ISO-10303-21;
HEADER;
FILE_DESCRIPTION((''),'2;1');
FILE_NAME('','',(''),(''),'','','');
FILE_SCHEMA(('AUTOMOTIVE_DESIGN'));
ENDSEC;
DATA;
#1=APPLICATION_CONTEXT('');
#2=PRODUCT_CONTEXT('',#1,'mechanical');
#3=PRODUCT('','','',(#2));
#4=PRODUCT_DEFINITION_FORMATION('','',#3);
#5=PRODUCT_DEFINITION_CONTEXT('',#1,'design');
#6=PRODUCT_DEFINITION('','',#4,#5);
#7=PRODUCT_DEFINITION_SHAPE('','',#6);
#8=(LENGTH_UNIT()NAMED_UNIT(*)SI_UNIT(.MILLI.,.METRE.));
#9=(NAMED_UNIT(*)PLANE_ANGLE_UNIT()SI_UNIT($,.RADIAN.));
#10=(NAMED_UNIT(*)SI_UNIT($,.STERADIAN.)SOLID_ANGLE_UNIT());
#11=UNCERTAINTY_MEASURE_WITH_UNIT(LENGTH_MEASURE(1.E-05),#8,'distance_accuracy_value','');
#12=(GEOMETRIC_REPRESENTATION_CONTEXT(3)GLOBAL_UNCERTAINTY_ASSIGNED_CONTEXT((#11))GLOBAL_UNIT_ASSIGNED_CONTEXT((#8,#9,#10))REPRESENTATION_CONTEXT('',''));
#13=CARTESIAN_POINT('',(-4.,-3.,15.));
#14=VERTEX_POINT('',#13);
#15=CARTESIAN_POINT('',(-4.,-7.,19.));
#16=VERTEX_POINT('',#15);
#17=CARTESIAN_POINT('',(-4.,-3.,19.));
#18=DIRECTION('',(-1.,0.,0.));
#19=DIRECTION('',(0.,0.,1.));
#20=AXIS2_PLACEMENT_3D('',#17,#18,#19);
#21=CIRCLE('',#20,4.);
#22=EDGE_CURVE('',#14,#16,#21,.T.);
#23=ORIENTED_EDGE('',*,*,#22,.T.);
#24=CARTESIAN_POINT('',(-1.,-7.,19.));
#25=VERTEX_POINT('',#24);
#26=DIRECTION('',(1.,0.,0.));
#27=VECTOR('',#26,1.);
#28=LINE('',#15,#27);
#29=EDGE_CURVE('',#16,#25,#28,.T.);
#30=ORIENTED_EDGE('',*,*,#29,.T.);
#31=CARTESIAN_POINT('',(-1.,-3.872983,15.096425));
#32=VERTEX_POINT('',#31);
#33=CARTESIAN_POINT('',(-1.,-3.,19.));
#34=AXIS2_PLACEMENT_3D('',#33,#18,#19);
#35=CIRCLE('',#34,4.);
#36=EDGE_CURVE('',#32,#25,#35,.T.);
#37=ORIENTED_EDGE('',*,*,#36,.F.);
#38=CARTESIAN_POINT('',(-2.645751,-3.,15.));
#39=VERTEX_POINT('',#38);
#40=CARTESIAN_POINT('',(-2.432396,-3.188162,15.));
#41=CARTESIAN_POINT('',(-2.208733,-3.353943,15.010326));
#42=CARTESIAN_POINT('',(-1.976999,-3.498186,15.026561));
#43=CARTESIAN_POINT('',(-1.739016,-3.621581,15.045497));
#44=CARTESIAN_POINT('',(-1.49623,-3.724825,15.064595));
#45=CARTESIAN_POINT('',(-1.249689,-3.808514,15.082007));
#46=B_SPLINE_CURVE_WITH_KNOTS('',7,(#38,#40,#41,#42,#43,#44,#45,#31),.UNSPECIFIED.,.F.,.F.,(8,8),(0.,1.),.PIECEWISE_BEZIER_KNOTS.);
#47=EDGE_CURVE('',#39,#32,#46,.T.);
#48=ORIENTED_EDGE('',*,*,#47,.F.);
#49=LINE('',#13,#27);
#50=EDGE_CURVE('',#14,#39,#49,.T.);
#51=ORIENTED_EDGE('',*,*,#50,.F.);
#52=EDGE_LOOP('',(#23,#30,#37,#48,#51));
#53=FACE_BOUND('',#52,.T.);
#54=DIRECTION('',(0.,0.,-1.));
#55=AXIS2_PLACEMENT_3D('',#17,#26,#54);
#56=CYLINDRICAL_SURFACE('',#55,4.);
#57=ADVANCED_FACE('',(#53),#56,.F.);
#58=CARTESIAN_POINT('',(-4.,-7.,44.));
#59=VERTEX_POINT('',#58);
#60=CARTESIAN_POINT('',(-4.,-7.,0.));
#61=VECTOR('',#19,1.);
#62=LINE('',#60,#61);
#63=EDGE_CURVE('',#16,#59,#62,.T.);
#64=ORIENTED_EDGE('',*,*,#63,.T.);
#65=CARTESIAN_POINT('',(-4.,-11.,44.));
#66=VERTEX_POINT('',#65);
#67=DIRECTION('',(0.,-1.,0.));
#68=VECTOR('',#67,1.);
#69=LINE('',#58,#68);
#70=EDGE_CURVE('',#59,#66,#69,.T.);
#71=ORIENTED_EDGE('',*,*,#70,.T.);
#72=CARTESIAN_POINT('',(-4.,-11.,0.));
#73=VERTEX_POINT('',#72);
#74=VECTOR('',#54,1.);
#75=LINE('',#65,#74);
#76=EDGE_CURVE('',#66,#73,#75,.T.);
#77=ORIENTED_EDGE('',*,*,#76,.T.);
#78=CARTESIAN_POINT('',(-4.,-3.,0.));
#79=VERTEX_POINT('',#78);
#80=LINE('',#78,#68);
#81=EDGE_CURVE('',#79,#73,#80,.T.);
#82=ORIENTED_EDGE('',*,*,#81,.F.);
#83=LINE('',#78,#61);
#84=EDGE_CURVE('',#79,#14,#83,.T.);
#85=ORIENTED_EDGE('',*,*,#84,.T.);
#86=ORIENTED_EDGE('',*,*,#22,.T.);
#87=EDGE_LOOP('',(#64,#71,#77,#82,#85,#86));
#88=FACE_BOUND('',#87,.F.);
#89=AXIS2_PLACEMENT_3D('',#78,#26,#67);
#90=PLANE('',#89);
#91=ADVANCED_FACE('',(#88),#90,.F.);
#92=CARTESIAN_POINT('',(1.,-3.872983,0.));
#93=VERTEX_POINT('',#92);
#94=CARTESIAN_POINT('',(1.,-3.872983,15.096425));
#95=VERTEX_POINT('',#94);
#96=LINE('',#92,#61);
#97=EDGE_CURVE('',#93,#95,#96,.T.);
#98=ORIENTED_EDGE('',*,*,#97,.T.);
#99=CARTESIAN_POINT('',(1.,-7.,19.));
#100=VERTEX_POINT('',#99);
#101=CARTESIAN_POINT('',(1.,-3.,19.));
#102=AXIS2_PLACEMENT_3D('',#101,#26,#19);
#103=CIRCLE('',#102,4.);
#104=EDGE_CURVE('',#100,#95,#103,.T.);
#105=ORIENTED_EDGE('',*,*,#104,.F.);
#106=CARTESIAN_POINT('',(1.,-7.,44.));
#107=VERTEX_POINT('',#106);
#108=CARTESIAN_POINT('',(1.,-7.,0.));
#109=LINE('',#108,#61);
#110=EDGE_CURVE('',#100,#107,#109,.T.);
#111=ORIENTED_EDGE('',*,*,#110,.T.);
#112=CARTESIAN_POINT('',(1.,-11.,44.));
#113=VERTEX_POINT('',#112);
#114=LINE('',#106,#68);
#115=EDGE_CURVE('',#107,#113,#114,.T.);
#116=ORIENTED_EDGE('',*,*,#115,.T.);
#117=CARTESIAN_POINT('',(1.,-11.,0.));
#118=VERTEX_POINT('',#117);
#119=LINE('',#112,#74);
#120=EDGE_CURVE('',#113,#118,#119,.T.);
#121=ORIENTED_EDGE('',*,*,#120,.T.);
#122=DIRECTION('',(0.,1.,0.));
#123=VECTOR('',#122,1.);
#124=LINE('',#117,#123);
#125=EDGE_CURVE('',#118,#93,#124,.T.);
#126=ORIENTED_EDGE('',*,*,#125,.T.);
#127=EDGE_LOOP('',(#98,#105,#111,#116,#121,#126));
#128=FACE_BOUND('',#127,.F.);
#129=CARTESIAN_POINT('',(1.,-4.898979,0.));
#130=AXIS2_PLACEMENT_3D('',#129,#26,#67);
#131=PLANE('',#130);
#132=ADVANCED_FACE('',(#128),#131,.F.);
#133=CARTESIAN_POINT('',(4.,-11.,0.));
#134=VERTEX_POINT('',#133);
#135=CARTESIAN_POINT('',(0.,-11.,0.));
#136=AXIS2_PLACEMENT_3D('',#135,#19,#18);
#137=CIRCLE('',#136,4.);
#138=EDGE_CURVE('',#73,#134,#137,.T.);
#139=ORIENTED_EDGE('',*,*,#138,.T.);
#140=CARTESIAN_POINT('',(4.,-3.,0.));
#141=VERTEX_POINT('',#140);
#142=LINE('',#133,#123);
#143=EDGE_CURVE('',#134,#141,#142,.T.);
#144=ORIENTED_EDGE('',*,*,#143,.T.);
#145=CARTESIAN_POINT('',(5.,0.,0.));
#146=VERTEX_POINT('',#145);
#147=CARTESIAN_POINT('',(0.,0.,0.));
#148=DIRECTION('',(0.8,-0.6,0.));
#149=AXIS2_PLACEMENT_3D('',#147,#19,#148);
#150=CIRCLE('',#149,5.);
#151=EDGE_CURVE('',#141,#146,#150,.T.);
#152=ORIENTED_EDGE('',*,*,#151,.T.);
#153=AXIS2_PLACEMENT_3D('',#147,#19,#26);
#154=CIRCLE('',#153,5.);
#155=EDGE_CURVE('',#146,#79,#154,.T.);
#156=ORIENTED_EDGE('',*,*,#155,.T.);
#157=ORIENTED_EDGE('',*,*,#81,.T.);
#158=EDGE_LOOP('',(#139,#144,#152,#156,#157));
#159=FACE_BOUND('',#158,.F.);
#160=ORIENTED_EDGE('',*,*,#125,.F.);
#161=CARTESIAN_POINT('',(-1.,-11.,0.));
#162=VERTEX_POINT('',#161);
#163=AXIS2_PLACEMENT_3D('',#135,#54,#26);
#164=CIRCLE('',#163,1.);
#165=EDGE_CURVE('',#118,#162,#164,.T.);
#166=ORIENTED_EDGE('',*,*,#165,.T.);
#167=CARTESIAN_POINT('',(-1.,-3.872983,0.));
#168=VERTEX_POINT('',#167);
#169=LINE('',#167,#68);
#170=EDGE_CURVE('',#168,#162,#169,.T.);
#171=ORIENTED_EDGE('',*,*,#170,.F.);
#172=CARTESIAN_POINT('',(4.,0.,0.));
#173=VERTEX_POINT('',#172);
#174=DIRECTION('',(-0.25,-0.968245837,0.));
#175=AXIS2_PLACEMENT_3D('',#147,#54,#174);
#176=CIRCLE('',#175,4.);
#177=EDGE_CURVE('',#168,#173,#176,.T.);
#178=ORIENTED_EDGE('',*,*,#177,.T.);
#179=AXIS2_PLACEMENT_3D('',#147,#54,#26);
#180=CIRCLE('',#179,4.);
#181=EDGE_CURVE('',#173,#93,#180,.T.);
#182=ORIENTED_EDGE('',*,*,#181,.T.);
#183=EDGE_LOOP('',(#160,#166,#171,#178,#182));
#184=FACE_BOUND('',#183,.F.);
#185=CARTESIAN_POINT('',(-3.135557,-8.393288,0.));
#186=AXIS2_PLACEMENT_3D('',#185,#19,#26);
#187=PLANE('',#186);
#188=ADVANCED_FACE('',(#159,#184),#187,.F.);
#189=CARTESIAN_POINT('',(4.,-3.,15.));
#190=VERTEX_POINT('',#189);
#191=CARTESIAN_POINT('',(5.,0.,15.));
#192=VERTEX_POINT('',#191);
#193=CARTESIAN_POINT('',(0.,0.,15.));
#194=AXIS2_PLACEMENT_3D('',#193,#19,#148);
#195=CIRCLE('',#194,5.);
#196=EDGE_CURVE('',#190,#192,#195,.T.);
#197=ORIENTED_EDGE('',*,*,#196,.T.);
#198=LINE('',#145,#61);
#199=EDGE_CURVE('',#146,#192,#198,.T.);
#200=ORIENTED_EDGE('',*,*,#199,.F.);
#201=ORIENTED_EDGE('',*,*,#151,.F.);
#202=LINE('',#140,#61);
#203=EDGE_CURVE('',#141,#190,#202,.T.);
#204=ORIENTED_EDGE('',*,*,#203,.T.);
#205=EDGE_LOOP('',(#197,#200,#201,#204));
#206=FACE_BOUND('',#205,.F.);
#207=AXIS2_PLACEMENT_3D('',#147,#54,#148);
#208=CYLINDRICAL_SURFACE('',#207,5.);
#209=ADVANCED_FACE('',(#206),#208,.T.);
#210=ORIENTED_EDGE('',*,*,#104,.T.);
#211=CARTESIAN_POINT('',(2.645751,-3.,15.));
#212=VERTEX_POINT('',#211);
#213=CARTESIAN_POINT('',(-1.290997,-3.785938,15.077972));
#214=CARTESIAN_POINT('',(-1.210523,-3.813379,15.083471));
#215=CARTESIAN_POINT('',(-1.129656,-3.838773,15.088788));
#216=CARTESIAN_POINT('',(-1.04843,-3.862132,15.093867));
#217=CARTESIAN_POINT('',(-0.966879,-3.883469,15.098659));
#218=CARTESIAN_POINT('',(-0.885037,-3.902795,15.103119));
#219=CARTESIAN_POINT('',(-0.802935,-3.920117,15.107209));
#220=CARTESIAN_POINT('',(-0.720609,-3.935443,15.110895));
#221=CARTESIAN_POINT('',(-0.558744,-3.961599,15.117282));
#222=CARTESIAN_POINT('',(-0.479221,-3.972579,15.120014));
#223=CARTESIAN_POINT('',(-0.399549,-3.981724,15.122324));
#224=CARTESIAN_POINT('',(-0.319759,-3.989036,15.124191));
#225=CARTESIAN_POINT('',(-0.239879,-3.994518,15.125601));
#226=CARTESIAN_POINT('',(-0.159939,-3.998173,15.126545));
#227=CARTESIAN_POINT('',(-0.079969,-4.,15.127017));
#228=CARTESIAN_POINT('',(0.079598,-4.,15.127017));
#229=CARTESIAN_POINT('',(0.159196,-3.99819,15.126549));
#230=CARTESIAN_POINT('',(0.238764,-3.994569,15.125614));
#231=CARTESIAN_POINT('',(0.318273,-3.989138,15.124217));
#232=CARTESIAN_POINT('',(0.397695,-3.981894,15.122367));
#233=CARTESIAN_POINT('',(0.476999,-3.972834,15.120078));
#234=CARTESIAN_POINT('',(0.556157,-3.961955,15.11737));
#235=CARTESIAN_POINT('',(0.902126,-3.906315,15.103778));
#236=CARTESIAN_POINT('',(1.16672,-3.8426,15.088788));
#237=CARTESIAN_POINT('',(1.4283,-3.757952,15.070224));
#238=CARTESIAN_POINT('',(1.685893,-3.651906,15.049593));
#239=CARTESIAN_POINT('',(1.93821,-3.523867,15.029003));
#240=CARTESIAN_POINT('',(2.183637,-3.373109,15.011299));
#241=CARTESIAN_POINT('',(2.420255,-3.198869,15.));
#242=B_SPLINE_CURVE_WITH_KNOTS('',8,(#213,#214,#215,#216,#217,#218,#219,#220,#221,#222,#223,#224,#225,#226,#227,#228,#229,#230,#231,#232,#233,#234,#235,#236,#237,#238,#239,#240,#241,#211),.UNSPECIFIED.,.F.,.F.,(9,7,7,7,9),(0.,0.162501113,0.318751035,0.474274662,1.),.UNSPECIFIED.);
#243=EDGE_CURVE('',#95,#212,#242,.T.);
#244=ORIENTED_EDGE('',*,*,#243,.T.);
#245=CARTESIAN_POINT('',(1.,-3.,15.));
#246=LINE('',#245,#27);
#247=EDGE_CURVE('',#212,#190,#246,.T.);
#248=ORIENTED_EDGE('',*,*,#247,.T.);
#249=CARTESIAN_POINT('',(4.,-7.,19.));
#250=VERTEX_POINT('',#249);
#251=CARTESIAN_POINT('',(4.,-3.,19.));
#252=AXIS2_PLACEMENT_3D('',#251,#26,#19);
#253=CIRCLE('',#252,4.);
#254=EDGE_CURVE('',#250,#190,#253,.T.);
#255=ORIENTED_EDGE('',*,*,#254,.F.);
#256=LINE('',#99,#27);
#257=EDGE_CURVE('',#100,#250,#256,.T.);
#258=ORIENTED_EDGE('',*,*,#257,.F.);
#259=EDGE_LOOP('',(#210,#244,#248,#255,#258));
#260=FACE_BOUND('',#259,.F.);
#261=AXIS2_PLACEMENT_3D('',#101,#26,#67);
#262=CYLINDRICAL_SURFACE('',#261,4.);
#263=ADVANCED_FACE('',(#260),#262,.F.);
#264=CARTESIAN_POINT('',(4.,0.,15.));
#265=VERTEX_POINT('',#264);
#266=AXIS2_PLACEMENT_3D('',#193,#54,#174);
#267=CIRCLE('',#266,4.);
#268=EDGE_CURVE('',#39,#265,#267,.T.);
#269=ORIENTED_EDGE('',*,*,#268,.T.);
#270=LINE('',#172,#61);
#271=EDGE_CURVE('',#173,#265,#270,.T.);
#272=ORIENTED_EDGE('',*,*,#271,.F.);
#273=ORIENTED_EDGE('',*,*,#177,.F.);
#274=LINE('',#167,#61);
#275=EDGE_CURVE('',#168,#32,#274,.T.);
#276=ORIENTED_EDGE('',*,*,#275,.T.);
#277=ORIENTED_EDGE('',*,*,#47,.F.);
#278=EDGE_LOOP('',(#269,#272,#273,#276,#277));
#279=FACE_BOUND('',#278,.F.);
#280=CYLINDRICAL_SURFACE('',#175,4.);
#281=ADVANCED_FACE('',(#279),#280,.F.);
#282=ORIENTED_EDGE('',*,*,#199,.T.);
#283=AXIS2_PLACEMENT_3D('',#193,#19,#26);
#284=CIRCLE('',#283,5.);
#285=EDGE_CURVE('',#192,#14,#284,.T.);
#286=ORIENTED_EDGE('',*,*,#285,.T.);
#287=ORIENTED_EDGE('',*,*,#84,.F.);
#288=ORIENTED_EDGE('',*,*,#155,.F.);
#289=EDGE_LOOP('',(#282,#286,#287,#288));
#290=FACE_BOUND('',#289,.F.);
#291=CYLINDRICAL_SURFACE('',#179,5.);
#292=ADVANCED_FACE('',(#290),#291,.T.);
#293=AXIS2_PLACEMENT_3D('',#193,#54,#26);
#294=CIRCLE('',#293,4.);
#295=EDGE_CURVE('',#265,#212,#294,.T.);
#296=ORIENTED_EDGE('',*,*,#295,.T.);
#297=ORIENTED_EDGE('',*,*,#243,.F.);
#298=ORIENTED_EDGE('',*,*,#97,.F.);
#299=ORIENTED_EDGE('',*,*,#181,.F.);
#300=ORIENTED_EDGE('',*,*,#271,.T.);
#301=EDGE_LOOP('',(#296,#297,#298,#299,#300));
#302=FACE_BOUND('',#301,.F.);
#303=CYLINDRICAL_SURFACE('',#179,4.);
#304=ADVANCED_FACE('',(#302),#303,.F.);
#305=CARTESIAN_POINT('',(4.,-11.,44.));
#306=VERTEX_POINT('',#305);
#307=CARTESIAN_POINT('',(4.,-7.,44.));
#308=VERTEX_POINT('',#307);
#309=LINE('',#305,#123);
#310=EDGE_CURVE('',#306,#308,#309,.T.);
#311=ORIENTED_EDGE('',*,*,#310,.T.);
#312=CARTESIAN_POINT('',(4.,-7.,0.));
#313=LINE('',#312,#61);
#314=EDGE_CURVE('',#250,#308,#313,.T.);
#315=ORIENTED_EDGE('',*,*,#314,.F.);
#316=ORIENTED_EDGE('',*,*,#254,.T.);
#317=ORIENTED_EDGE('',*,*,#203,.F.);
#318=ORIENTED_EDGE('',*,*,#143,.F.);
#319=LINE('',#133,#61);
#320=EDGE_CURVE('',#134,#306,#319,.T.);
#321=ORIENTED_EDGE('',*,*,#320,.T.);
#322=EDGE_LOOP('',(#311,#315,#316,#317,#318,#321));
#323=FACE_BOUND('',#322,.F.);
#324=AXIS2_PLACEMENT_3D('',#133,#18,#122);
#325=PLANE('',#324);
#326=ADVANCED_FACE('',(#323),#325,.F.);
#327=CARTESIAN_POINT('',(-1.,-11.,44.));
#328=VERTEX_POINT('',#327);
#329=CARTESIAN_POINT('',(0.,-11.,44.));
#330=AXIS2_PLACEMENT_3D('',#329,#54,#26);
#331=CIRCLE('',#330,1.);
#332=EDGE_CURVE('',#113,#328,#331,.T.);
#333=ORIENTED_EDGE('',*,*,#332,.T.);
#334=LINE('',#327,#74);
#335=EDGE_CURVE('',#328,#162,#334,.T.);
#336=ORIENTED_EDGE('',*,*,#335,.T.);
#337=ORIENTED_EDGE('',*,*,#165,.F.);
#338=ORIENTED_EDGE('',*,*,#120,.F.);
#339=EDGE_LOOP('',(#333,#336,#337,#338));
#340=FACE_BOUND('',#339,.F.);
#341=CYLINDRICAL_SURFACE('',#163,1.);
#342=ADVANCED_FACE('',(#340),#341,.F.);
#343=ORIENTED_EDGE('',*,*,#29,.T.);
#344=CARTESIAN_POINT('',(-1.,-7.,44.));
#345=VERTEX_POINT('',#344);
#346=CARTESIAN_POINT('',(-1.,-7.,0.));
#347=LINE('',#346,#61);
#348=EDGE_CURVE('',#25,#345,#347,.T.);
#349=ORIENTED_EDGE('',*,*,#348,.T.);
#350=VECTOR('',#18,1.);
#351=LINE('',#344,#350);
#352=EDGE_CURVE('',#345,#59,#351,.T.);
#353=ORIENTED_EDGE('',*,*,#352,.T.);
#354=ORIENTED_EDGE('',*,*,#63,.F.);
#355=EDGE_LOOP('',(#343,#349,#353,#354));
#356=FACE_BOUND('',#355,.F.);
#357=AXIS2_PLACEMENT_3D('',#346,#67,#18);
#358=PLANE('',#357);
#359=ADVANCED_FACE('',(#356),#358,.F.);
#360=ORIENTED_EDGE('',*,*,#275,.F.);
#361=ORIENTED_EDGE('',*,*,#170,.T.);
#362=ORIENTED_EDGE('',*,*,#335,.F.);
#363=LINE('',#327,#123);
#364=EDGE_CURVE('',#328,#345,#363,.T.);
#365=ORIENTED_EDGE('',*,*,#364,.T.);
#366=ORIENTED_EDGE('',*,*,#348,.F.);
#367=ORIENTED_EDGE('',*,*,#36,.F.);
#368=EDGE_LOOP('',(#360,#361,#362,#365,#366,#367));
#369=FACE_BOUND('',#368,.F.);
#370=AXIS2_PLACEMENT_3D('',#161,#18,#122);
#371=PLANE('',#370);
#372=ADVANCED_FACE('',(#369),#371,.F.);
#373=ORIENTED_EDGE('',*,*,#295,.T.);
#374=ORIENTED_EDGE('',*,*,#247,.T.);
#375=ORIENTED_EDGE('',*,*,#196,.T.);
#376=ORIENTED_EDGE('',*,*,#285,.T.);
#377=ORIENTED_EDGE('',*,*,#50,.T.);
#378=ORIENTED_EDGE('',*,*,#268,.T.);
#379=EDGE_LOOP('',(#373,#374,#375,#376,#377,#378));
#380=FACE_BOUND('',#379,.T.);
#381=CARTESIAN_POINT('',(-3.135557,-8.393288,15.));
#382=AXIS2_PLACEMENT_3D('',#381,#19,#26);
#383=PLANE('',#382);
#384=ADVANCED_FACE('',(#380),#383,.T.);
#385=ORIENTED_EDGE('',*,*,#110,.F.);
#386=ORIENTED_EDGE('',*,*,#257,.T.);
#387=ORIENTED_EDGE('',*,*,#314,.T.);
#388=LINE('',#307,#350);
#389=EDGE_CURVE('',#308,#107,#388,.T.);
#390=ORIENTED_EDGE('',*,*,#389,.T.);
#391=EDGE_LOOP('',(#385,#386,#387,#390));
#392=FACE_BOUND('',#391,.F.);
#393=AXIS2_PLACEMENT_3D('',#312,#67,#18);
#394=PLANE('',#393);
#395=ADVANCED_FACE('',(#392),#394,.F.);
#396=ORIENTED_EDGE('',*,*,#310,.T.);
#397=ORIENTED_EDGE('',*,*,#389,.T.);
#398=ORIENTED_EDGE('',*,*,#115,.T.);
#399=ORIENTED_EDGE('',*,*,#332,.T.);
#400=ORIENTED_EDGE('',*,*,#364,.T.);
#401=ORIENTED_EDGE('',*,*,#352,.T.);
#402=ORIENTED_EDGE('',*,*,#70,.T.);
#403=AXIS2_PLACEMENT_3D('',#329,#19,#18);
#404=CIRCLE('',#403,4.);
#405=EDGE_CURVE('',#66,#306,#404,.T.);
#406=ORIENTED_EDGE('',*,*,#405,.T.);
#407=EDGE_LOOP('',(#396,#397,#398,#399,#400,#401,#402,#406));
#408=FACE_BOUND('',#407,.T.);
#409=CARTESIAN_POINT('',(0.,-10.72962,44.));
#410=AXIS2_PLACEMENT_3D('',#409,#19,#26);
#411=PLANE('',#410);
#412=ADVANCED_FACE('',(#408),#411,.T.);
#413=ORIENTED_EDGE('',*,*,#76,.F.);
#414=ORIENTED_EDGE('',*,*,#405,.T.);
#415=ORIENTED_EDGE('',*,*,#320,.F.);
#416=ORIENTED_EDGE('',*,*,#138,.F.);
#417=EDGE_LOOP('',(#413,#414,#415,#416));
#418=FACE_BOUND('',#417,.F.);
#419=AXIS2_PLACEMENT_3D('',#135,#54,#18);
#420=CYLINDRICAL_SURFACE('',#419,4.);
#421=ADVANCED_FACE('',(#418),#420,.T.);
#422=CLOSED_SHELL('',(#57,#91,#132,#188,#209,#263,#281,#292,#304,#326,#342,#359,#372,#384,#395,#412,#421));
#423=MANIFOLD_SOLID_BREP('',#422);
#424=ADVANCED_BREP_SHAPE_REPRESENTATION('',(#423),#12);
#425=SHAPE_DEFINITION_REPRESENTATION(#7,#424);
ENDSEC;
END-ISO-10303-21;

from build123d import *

# Parameters (mm, degrees)
F1_DEPTH = 15
F2_DEPTH = 15
F3_DEPTH = 44
F4_R     = 4


with BuildPart() as f1:
    # F0 (on Top) → F1 (new body)
    with BuildSketch(Plane.XY):
        with BuildLine():
            ThreePointArc((4, -3), (4.7434164903, -1.5811388301), (5, 0))
            ThreePointArc((5, 0), (-1.5811388301, 4.7434164903), (-4, -3))
            ThreePointArc((-4, -3), (-2.6742346142, -4.2247448714), (-1, -4.8989794856))
            Line((-1, -4.8989794856), (-1, -3.8729833462))
            ThreePointArc((-1, -3.8729833462), (-2.4494897428, 3.1622776602), (4, 0))
            ThreePointArc((4, 0), (3.1622776602, -2.4494897428), (1, -3.8729833462))
            Line((1, -3.8729833462), (1, -4.8989794856))
            ThreePointArc((1, -4.8989794856), (2.6742346142, -4.2247448714), (4, -3))
        make_face()
    extrude(amount=F1_DEPTH)

    # F0 (on Top) → F2 (join)
    with BuildSketch(Plane.XY):
        with BuildLine():
            Line((-1, -7), (-4, -7))
            Line((-4, -7), (-4, -11))
            ThreePointArc((-4, -11), (-3.1622776602, -8.5505102572), (-1, -7.1270166538))
            Line((-1, -7.1270166538), (-1, -7))
        make_face()
        with BuildLine():
            Line((4, -11), (4, -7))
            Line((4, -7), (1, -7))
            Line((1, -7), (1, -7.1270166538))
            ThreePointArc((1, -7.1270166538), (3.1622776602, -8.5505102572), (4, -11))
        make_face()
        with BuildLine():
            ThreePointArc((-1, -7.1270166538), (-3.1622776602, -8.5505102572), (-4, -11))
            ThreePointArc((-4, -11), (0, -15), (4, -11))
            ThreePointArc((4, -11), (3.1622776602, -8.5505102572), (1, -7.1270166538))
            Line((1, -7.1270166538), (1, -11))
            ThreePointArc((1, -11), (0, -12), (-1, -11))
            Line((-1, -11), (-1, -7.1270166538))
        make_face()
        with BuildLine():
            ThreePointArc((-1, -4.8989794856), (-2.6742346142, -4.2247448714), (-4, -3))
            Line((-4, -3), (-4, -7))
            Line((-4, -7), (-1, -7))
            Line((-1, -7), (-1, -4.8989794856))
        make_face()
        with BuildLine():
            Line((4, -7), (4, -3))
            ThreePointArc((4, -3), (2.6742346142, -4.2247448714), (1, -4.8989794856))
            Line((1, -4.8989794856), (1, -7))
            Line((1, -7), (4, -7))
        make_face()
    extrude(amount=F2_DEPTH)

    # F0 (on Top) → F3 (join)
    with BuildSketch(Plane.XY):
        with BuildLine():
            ThreePointArc((-1, -7.1270166538), (-3.1622776602, -8.5505102572), (-4, -11))
            ThreePointArc((-4, -11), (0, -15), (4, -11))
            ThreePointArc((4, -11), (3.1622776602, -8.5505102572), (1, -7.1270166538))
            Line((1, -7.1270166538), (1, -11))
            ThreePointArc((1, -11), (0, -12), (-1, -11))
            Line((-1, -11), (-1, -7.1270166538))
        make_face()
        with BuildLine():
            Line((-1, -7), (-4, -7))
            Line((-4, -7), (-4, -11))
            ThreePointArc((-4, -11), (-3.1622776602, -8.5505102572), (-1, -7.1270166538))
            Line((-1, -7.1270166538), (-1, -7))
        make_face()
        with BuildLine():
            Line((4, -11), (4, -7))
            Line((4, -7), (1, -7))
            Line((1, -7), (1, -7.1270166538))
            ThreePointArc((1, -7.1270166538), (3.1622776602, -8.5505102572), (4, -11))
        make_face()
    extrude(amount=F3_DEPTH)

    # F4
    f4_edges = [f1.edges().sort_by_distance(p)[0] for p in [
        (-2.5, -7, 15),
        (2.5, -7, 15),
    ]]
    fillet(f4_edges, radius=F4_R)


solid = f1.part
